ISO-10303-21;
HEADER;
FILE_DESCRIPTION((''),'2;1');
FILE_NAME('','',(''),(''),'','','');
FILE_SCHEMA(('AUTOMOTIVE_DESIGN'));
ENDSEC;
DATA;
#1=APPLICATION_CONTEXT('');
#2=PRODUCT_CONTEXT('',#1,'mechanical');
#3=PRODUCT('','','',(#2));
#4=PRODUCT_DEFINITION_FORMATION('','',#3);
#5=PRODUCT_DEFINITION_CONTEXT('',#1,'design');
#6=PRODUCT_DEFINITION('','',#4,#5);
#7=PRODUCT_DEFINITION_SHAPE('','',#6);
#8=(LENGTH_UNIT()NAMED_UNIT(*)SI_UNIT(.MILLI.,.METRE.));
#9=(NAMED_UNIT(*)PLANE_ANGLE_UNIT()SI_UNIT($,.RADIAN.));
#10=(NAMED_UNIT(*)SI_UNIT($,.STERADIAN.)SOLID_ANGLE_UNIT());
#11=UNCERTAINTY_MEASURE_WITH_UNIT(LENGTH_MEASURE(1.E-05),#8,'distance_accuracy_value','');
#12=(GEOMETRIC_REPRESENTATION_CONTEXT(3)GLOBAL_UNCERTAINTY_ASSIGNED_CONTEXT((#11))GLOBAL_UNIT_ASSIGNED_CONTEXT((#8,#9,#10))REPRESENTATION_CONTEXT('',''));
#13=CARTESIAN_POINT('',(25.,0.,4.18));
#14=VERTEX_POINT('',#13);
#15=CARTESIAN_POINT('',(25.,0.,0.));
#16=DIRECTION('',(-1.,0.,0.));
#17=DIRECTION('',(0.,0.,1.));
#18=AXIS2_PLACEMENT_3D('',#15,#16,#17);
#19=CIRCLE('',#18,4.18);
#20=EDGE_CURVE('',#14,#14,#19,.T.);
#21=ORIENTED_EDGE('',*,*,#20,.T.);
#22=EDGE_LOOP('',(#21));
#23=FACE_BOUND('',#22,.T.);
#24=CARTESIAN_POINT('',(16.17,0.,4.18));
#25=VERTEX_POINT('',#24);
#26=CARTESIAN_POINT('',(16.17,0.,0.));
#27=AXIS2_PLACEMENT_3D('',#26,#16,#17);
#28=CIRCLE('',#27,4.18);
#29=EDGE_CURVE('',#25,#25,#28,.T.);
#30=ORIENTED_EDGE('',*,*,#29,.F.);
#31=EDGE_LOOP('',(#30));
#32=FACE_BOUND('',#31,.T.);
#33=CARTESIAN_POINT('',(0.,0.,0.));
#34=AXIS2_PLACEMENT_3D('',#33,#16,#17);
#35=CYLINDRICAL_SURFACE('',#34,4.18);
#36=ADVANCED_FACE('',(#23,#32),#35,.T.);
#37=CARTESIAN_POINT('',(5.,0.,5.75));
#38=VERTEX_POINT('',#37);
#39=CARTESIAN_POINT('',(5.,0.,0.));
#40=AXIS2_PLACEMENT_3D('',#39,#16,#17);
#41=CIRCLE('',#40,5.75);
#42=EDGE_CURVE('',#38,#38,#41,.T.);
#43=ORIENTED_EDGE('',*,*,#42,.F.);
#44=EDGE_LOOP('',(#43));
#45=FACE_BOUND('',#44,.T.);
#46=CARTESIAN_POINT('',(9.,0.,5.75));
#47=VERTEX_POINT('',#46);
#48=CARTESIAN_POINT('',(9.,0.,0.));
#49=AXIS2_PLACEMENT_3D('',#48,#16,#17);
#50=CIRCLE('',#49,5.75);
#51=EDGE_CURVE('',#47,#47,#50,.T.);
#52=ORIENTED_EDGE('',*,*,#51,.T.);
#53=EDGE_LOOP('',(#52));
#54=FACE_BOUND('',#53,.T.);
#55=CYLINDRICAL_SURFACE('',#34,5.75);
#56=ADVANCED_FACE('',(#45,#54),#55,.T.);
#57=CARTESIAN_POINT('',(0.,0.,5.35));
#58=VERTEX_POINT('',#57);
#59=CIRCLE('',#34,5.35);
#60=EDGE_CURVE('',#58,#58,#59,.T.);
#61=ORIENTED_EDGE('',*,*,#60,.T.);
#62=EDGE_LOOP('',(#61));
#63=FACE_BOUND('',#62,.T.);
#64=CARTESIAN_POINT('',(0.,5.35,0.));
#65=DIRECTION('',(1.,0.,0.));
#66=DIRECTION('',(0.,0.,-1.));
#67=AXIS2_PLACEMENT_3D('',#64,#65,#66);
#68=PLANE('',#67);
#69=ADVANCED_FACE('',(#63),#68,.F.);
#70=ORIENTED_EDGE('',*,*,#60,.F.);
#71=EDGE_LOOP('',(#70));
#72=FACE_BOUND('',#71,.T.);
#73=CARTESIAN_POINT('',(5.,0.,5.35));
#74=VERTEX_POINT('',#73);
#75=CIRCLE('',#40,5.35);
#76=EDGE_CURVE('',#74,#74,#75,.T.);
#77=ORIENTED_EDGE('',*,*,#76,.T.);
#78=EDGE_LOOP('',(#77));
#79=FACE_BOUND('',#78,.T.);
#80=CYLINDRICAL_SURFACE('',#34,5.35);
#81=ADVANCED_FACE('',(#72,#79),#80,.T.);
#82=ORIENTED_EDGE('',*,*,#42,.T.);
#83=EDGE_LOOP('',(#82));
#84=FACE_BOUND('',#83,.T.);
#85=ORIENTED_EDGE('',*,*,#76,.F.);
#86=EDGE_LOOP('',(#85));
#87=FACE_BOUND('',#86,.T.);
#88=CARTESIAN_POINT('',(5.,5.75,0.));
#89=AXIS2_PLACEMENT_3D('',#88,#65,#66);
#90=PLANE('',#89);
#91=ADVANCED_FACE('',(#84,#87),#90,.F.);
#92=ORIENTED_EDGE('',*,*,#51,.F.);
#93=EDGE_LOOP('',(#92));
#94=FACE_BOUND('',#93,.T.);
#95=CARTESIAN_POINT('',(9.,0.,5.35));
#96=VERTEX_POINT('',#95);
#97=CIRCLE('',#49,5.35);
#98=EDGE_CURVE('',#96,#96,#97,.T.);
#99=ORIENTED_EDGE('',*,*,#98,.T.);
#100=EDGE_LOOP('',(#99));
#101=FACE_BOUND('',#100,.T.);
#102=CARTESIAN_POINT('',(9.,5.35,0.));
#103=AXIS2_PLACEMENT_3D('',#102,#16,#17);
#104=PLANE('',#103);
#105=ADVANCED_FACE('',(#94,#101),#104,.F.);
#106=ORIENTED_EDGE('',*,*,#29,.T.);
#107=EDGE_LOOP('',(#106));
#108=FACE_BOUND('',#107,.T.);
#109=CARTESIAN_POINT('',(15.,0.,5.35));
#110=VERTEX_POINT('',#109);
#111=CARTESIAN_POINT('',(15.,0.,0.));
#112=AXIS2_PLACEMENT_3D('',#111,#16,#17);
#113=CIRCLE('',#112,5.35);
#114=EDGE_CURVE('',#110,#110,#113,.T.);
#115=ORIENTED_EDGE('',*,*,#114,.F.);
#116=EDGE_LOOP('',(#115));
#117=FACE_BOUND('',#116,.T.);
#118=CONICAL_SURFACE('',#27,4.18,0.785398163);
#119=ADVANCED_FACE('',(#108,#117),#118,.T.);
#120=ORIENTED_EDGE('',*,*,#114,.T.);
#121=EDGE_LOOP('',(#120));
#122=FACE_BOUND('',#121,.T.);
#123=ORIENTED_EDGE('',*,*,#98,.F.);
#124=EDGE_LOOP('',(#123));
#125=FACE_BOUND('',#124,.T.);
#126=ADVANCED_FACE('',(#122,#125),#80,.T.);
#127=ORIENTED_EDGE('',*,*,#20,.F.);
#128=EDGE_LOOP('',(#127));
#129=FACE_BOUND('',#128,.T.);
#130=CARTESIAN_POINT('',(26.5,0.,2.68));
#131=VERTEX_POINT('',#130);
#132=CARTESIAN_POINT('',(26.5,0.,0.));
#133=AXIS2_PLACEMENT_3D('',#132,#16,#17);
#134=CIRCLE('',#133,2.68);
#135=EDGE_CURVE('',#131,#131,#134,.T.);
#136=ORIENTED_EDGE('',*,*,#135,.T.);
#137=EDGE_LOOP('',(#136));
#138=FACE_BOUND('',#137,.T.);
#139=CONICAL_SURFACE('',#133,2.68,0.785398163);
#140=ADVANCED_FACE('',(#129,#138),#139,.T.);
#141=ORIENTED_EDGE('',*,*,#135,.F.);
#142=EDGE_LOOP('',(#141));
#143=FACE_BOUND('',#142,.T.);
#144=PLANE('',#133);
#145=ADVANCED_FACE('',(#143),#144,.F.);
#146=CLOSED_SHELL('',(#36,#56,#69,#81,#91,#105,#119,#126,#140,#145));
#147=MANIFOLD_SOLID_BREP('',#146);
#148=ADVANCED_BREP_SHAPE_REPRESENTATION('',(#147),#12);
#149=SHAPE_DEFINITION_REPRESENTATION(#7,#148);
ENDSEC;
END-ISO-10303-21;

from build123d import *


with BuildPart() as part:
    # Sketch1 → Revolve1 (revolve)
    with BuildSketch(Plane.XY):
        Polygon((0, 0), (26.5, 0), (26.5, 2.68), (25, 4.18), (16.17, 4.18), (15, 5.35), (9, 5.35), (9, 5.75), (5, 5.75), (5, 5.35), (0, 5.35), align=None)
    revolve(axis=Axis((0, 0, 0), (1, 0, 0)))


solid = part.part
